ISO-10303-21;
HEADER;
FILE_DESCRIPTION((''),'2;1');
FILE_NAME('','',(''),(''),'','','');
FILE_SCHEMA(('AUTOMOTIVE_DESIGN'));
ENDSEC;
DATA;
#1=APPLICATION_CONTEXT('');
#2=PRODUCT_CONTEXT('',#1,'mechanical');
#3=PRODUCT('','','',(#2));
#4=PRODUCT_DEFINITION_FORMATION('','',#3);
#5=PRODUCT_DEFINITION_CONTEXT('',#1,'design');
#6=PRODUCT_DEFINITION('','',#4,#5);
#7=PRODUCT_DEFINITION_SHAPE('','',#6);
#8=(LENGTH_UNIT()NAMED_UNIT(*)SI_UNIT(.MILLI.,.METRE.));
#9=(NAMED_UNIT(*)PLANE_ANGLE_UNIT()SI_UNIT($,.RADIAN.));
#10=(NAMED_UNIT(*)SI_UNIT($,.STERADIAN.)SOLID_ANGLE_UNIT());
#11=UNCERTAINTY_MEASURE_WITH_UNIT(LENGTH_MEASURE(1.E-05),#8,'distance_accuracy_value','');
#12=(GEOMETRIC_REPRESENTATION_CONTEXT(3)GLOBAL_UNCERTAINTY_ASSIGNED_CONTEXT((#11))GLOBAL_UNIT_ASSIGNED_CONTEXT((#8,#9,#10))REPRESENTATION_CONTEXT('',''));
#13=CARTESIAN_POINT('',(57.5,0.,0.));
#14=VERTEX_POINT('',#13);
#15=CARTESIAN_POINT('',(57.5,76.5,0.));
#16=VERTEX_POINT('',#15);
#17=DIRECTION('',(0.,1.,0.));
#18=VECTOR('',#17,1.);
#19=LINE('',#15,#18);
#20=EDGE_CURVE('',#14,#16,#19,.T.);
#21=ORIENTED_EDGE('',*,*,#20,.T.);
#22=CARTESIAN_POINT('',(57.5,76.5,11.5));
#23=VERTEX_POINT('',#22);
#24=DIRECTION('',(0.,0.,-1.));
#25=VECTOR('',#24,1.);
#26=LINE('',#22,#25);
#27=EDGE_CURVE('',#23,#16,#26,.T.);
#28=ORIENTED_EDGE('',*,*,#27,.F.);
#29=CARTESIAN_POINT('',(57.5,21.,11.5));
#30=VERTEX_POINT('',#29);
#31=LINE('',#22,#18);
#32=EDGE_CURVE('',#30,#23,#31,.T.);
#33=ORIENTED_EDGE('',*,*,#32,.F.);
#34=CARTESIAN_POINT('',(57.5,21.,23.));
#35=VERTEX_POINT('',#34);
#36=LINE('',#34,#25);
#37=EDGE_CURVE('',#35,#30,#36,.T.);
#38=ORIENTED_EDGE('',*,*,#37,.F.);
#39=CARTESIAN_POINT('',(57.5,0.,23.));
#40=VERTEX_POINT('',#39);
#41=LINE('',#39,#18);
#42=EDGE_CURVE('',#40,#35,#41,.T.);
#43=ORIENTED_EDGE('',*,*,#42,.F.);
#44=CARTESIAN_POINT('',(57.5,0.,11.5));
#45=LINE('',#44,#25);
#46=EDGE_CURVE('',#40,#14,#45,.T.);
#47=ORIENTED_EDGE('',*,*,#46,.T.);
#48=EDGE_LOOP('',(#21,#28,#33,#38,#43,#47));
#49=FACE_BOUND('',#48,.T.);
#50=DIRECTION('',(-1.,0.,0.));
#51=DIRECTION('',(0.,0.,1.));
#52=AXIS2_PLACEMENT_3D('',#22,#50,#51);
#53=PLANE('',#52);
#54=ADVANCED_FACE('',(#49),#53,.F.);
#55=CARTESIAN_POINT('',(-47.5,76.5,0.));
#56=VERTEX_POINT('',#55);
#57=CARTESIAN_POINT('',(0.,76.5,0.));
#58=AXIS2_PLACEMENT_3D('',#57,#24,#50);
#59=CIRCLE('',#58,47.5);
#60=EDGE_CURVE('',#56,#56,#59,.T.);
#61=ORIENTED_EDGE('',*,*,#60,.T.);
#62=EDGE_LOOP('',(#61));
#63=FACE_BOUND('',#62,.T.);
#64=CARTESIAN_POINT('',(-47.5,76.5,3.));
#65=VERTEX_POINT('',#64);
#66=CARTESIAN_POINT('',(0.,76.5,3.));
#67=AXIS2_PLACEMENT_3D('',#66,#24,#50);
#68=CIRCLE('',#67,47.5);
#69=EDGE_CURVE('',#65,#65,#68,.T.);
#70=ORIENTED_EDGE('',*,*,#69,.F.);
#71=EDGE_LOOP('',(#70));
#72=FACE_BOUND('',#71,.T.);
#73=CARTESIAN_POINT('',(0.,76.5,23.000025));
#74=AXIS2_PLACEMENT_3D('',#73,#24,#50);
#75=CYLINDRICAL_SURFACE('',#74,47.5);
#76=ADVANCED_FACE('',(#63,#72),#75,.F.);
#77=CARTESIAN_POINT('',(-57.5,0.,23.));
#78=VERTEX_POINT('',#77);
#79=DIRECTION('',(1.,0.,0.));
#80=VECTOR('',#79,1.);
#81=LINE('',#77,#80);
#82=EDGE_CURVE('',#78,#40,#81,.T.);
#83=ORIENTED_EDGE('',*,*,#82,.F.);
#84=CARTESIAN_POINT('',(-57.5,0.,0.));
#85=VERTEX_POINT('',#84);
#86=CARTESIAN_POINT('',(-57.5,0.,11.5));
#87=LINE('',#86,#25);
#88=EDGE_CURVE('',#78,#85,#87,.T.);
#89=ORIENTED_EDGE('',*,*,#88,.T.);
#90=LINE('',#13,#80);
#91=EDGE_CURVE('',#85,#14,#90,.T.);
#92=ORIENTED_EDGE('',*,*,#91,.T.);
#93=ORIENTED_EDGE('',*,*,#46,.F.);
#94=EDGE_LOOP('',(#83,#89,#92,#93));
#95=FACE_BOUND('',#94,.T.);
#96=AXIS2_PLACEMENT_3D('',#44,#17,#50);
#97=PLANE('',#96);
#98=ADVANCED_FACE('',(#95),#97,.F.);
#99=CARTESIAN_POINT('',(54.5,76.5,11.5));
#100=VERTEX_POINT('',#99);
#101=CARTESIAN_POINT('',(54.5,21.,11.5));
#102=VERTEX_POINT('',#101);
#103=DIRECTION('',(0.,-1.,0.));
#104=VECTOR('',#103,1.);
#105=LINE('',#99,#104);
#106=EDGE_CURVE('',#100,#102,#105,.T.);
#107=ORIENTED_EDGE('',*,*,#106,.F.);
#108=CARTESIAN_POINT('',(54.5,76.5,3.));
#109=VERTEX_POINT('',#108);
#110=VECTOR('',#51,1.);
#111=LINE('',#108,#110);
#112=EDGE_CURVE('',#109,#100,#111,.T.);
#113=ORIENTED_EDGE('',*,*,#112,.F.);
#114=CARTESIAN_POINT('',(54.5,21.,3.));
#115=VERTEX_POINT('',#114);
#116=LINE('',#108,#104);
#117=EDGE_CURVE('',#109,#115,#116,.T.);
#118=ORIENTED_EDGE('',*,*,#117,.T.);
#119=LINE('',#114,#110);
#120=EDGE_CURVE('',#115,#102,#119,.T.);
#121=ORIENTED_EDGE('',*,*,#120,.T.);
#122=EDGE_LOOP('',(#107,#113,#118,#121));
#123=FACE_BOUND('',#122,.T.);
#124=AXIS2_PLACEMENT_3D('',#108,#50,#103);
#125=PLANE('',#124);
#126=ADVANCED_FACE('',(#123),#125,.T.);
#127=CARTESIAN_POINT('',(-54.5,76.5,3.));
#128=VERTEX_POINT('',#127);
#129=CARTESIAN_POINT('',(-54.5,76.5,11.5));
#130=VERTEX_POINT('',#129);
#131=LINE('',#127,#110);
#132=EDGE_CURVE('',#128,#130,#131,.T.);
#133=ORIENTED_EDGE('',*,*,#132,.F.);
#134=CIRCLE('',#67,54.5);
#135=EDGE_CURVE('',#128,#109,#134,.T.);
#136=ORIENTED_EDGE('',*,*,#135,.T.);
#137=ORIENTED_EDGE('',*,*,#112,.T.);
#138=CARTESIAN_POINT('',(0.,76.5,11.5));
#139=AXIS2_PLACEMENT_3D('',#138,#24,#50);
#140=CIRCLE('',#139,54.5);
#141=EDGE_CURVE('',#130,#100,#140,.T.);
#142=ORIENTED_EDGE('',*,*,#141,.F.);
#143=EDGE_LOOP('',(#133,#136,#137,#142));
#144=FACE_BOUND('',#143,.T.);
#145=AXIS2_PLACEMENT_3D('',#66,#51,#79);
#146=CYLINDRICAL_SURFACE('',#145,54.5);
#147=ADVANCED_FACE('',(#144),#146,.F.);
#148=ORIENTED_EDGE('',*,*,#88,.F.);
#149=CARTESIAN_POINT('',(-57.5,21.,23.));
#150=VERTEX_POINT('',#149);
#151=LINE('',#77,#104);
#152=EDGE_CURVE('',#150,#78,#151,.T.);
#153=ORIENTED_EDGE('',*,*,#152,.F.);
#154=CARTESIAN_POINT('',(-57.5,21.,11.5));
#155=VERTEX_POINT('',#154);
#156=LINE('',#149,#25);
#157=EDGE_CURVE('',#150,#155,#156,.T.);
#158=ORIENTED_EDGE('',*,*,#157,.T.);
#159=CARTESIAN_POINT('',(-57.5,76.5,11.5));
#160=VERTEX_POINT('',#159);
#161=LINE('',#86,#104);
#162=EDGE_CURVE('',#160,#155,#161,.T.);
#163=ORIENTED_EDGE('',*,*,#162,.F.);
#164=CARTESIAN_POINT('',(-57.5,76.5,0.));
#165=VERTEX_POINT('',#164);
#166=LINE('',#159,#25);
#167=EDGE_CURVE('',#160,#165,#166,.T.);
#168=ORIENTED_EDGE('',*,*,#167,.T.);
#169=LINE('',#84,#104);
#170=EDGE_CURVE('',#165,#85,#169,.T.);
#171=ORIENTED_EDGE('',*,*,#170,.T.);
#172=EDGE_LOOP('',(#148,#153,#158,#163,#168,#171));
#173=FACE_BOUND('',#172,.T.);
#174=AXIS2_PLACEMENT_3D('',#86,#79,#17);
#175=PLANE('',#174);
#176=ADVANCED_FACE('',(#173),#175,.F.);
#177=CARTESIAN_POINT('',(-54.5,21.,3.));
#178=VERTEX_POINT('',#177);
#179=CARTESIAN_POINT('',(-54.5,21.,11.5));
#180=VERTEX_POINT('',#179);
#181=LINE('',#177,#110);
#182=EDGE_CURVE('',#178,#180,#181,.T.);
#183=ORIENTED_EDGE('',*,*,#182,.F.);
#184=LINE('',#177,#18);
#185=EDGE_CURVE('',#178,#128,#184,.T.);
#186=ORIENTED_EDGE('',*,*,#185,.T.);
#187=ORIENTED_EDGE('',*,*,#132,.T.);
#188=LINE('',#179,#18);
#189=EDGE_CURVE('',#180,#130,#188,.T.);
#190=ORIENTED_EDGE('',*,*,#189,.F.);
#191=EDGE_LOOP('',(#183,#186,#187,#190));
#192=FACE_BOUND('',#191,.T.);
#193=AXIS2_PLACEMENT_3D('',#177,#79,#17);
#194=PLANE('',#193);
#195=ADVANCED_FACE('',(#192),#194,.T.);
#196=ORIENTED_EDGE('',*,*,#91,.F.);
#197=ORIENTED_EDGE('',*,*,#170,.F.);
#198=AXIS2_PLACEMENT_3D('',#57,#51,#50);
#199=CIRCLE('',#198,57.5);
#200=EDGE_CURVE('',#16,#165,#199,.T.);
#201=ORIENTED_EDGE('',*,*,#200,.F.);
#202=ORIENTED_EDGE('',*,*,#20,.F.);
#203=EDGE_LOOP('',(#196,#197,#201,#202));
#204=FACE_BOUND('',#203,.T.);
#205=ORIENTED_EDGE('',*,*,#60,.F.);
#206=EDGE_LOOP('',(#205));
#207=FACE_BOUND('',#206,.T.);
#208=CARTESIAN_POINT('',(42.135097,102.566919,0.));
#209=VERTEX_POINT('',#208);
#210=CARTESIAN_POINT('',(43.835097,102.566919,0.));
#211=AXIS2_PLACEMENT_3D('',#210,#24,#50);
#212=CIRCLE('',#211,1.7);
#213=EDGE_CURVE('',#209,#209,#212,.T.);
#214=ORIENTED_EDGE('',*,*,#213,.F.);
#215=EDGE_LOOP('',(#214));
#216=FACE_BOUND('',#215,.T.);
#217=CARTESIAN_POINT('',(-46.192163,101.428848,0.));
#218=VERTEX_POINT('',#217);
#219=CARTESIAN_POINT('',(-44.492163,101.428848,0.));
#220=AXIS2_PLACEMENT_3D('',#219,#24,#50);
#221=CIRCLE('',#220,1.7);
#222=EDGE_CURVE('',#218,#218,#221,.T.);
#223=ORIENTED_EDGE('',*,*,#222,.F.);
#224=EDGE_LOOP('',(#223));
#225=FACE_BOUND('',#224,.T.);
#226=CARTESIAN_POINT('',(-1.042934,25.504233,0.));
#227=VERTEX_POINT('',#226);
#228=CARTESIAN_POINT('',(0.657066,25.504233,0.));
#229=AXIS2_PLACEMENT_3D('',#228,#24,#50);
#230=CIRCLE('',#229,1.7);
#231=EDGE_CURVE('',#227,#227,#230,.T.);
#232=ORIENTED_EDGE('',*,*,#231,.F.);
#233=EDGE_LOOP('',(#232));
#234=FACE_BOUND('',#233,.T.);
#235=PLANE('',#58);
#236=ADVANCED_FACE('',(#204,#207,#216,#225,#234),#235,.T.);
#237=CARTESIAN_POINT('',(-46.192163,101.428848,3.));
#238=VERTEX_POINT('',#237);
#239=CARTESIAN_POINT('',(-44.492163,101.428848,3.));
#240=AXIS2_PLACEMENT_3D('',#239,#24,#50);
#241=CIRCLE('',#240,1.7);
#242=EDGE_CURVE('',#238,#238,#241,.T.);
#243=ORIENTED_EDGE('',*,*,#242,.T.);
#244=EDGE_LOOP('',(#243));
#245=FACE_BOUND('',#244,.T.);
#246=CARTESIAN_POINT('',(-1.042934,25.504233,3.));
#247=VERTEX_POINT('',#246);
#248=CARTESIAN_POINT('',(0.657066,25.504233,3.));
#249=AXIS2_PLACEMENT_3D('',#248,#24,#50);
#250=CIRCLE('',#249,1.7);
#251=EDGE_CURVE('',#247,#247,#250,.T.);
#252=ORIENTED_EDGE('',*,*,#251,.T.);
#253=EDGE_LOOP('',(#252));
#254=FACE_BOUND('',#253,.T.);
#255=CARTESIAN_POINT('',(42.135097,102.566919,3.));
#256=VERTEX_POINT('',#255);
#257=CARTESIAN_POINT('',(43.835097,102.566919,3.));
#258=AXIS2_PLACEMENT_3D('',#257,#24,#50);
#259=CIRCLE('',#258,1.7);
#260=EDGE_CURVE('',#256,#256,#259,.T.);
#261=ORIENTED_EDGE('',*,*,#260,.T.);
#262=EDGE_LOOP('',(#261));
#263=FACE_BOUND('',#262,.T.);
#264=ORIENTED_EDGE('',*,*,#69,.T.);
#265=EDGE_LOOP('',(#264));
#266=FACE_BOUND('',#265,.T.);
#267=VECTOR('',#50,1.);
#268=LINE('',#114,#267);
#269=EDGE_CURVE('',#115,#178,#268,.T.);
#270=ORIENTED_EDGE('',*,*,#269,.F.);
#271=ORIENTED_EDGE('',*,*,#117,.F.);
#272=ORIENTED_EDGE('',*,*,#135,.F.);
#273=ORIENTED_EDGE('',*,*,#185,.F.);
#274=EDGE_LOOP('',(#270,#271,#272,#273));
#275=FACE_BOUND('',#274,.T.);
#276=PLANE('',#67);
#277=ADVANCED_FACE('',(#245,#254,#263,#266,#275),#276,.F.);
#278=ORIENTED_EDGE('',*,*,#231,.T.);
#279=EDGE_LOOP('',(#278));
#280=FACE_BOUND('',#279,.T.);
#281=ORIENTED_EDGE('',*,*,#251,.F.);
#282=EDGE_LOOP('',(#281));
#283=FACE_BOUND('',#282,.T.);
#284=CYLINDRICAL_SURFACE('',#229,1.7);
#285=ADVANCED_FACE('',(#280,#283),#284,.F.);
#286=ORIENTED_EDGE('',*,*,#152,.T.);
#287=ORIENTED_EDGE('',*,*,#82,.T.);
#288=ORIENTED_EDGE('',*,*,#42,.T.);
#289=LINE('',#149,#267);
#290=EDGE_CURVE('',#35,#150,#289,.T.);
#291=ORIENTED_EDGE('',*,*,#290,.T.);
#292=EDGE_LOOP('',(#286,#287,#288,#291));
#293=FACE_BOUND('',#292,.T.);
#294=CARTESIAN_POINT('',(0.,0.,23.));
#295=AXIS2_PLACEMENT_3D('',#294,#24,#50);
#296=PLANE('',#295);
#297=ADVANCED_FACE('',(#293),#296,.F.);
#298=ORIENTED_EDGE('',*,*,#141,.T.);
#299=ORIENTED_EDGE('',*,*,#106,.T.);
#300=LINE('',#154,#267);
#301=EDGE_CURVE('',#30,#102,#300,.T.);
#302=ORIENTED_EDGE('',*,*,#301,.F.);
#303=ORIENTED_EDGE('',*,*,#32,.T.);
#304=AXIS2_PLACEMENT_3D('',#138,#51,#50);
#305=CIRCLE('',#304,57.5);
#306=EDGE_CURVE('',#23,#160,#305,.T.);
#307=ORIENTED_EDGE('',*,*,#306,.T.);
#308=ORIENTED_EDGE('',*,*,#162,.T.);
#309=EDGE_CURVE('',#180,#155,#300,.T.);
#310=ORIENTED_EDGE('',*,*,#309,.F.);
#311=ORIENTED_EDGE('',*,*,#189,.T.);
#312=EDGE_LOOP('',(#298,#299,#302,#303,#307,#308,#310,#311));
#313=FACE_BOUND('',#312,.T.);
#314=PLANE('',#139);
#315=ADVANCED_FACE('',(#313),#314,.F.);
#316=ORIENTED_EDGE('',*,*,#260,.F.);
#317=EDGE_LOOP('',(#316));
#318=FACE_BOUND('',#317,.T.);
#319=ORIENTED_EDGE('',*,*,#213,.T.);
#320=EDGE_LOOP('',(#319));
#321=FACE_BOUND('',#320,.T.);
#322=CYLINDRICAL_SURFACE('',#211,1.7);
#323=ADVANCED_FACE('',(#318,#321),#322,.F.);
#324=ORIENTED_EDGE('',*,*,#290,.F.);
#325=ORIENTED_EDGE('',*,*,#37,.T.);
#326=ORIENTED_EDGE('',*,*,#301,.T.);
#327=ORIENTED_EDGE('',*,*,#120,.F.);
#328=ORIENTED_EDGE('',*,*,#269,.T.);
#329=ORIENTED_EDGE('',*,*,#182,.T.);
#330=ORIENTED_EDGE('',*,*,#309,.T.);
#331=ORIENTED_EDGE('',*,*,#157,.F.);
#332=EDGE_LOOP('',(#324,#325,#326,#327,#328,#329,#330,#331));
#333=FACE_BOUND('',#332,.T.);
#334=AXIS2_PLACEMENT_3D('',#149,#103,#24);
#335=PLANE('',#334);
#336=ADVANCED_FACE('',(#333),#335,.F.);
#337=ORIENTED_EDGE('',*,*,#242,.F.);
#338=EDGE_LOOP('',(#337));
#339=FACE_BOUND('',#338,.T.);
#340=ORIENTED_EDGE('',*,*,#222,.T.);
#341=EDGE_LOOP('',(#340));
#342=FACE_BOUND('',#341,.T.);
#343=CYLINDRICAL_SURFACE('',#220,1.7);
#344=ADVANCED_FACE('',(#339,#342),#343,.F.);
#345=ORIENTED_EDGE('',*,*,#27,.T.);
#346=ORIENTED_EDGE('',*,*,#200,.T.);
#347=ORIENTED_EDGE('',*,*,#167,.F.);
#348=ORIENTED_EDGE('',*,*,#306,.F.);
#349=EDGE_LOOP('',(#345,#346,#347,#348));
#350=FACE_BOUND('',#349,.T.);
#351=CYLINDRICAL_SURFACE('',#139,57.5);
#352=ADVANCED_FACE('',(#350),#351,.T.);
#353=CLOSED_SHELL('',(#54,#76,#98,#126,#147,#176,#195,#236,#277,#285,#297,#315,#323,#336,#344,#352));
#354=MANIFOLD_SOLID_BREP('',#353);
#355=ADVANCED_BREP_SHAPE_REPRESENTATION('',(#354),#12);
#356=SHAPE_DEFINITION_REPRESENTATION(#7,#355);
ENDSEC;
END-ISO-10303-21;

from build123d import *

# Parameters (mm, degrees)
BOSS_EXTRU_1_DEPTH      = 11.5
ESQUISSE2_W             = 115
ESQUISSE2_H             = 21
BOSS_EXTRU_2_DEPTH      = 11.5
ENL_V_MAT_EXTRU_1_DEPTH = 8.5
ESQUISSE4_R             = 47.5
ENL_V_MAT_EXTRU_2_DEPTH = 148.618596389
D_GAGEMENT_M31_D        = 3.4


with BuildPart() as part:
    # Esquisse1 → Boss.-Extru.1 (new body)
    with BuildSketch(Plane.XY):
        with BuildLine():
            Line((57.5, 0), (-57.5, 0))
            Line((-57.5, 0), (-57.5, 76.5))
            ThreePointArc((-57.5, 76.5), (0, 134), (57.5, 76.5))
            Line((57.5, 76.5), (57.5, 0))
        make_face()
    extrude(amount=BOSS_EXTRU_1_DEPTH)

    # Esquisse2 → Boss.-Extru.2 (add)
    with BuildSketch(Plane.XY.offset(11.5)):
        with Locations((0, 10.5)):
            Rectangle(ESQUISSE2_W, ESQUISSE2_H)
    extrude(amount=BOSS_EXTRU_2_DEPTH)

    # Esquisse3 → Enlèv. mat.-Extru.1 (cut)
    with BuildSketch(Plane.XY.offset(11.5)):
        with BuildLine():
            Line((-54.5, 21), (-54.5, 76.5))
            ThreePointArc((-54.5, 76.5), (0, 131), (54.5, 76.5))
            Line((54.5, 76.5), (54.5, 21))
            Line((54.5, 21), (-54.5, 21))
        make_face()
    extrude(amount=-ENL_V_MAT_EXTRU_1_DEPTH, mode=Mode.SUBTRACT)

    # Esquisse4 → Enlèv. mat.-Extru.2 (cut, through all)
    with BuildSketch(Plane(origin=(0, 0, 0), x_dir=(-1, 0, 0), z_dir=(0, 0, -1))):
        with Locations((0, 76.5)):
            Circle(ESQUISSE4_R)
    extrude(amount=-ENL_V_MAT_EXTRU_2_DEPTH, mode=Mode.SUBTRACT)

    # Dégagement M31 (through all)
    with Locations(Plane(origin=(0, 0, 0), x_dir=(-1, 0, 0), z_dir=(0, 0, -1))):
        with Locations((-43.835096885, 102.566919286), (44.492162743, 101.428847837), (-0.657065858, 25.504232877)):
            Hole(D_GAGEMENT_M31_D / 2)


solid = part.part
